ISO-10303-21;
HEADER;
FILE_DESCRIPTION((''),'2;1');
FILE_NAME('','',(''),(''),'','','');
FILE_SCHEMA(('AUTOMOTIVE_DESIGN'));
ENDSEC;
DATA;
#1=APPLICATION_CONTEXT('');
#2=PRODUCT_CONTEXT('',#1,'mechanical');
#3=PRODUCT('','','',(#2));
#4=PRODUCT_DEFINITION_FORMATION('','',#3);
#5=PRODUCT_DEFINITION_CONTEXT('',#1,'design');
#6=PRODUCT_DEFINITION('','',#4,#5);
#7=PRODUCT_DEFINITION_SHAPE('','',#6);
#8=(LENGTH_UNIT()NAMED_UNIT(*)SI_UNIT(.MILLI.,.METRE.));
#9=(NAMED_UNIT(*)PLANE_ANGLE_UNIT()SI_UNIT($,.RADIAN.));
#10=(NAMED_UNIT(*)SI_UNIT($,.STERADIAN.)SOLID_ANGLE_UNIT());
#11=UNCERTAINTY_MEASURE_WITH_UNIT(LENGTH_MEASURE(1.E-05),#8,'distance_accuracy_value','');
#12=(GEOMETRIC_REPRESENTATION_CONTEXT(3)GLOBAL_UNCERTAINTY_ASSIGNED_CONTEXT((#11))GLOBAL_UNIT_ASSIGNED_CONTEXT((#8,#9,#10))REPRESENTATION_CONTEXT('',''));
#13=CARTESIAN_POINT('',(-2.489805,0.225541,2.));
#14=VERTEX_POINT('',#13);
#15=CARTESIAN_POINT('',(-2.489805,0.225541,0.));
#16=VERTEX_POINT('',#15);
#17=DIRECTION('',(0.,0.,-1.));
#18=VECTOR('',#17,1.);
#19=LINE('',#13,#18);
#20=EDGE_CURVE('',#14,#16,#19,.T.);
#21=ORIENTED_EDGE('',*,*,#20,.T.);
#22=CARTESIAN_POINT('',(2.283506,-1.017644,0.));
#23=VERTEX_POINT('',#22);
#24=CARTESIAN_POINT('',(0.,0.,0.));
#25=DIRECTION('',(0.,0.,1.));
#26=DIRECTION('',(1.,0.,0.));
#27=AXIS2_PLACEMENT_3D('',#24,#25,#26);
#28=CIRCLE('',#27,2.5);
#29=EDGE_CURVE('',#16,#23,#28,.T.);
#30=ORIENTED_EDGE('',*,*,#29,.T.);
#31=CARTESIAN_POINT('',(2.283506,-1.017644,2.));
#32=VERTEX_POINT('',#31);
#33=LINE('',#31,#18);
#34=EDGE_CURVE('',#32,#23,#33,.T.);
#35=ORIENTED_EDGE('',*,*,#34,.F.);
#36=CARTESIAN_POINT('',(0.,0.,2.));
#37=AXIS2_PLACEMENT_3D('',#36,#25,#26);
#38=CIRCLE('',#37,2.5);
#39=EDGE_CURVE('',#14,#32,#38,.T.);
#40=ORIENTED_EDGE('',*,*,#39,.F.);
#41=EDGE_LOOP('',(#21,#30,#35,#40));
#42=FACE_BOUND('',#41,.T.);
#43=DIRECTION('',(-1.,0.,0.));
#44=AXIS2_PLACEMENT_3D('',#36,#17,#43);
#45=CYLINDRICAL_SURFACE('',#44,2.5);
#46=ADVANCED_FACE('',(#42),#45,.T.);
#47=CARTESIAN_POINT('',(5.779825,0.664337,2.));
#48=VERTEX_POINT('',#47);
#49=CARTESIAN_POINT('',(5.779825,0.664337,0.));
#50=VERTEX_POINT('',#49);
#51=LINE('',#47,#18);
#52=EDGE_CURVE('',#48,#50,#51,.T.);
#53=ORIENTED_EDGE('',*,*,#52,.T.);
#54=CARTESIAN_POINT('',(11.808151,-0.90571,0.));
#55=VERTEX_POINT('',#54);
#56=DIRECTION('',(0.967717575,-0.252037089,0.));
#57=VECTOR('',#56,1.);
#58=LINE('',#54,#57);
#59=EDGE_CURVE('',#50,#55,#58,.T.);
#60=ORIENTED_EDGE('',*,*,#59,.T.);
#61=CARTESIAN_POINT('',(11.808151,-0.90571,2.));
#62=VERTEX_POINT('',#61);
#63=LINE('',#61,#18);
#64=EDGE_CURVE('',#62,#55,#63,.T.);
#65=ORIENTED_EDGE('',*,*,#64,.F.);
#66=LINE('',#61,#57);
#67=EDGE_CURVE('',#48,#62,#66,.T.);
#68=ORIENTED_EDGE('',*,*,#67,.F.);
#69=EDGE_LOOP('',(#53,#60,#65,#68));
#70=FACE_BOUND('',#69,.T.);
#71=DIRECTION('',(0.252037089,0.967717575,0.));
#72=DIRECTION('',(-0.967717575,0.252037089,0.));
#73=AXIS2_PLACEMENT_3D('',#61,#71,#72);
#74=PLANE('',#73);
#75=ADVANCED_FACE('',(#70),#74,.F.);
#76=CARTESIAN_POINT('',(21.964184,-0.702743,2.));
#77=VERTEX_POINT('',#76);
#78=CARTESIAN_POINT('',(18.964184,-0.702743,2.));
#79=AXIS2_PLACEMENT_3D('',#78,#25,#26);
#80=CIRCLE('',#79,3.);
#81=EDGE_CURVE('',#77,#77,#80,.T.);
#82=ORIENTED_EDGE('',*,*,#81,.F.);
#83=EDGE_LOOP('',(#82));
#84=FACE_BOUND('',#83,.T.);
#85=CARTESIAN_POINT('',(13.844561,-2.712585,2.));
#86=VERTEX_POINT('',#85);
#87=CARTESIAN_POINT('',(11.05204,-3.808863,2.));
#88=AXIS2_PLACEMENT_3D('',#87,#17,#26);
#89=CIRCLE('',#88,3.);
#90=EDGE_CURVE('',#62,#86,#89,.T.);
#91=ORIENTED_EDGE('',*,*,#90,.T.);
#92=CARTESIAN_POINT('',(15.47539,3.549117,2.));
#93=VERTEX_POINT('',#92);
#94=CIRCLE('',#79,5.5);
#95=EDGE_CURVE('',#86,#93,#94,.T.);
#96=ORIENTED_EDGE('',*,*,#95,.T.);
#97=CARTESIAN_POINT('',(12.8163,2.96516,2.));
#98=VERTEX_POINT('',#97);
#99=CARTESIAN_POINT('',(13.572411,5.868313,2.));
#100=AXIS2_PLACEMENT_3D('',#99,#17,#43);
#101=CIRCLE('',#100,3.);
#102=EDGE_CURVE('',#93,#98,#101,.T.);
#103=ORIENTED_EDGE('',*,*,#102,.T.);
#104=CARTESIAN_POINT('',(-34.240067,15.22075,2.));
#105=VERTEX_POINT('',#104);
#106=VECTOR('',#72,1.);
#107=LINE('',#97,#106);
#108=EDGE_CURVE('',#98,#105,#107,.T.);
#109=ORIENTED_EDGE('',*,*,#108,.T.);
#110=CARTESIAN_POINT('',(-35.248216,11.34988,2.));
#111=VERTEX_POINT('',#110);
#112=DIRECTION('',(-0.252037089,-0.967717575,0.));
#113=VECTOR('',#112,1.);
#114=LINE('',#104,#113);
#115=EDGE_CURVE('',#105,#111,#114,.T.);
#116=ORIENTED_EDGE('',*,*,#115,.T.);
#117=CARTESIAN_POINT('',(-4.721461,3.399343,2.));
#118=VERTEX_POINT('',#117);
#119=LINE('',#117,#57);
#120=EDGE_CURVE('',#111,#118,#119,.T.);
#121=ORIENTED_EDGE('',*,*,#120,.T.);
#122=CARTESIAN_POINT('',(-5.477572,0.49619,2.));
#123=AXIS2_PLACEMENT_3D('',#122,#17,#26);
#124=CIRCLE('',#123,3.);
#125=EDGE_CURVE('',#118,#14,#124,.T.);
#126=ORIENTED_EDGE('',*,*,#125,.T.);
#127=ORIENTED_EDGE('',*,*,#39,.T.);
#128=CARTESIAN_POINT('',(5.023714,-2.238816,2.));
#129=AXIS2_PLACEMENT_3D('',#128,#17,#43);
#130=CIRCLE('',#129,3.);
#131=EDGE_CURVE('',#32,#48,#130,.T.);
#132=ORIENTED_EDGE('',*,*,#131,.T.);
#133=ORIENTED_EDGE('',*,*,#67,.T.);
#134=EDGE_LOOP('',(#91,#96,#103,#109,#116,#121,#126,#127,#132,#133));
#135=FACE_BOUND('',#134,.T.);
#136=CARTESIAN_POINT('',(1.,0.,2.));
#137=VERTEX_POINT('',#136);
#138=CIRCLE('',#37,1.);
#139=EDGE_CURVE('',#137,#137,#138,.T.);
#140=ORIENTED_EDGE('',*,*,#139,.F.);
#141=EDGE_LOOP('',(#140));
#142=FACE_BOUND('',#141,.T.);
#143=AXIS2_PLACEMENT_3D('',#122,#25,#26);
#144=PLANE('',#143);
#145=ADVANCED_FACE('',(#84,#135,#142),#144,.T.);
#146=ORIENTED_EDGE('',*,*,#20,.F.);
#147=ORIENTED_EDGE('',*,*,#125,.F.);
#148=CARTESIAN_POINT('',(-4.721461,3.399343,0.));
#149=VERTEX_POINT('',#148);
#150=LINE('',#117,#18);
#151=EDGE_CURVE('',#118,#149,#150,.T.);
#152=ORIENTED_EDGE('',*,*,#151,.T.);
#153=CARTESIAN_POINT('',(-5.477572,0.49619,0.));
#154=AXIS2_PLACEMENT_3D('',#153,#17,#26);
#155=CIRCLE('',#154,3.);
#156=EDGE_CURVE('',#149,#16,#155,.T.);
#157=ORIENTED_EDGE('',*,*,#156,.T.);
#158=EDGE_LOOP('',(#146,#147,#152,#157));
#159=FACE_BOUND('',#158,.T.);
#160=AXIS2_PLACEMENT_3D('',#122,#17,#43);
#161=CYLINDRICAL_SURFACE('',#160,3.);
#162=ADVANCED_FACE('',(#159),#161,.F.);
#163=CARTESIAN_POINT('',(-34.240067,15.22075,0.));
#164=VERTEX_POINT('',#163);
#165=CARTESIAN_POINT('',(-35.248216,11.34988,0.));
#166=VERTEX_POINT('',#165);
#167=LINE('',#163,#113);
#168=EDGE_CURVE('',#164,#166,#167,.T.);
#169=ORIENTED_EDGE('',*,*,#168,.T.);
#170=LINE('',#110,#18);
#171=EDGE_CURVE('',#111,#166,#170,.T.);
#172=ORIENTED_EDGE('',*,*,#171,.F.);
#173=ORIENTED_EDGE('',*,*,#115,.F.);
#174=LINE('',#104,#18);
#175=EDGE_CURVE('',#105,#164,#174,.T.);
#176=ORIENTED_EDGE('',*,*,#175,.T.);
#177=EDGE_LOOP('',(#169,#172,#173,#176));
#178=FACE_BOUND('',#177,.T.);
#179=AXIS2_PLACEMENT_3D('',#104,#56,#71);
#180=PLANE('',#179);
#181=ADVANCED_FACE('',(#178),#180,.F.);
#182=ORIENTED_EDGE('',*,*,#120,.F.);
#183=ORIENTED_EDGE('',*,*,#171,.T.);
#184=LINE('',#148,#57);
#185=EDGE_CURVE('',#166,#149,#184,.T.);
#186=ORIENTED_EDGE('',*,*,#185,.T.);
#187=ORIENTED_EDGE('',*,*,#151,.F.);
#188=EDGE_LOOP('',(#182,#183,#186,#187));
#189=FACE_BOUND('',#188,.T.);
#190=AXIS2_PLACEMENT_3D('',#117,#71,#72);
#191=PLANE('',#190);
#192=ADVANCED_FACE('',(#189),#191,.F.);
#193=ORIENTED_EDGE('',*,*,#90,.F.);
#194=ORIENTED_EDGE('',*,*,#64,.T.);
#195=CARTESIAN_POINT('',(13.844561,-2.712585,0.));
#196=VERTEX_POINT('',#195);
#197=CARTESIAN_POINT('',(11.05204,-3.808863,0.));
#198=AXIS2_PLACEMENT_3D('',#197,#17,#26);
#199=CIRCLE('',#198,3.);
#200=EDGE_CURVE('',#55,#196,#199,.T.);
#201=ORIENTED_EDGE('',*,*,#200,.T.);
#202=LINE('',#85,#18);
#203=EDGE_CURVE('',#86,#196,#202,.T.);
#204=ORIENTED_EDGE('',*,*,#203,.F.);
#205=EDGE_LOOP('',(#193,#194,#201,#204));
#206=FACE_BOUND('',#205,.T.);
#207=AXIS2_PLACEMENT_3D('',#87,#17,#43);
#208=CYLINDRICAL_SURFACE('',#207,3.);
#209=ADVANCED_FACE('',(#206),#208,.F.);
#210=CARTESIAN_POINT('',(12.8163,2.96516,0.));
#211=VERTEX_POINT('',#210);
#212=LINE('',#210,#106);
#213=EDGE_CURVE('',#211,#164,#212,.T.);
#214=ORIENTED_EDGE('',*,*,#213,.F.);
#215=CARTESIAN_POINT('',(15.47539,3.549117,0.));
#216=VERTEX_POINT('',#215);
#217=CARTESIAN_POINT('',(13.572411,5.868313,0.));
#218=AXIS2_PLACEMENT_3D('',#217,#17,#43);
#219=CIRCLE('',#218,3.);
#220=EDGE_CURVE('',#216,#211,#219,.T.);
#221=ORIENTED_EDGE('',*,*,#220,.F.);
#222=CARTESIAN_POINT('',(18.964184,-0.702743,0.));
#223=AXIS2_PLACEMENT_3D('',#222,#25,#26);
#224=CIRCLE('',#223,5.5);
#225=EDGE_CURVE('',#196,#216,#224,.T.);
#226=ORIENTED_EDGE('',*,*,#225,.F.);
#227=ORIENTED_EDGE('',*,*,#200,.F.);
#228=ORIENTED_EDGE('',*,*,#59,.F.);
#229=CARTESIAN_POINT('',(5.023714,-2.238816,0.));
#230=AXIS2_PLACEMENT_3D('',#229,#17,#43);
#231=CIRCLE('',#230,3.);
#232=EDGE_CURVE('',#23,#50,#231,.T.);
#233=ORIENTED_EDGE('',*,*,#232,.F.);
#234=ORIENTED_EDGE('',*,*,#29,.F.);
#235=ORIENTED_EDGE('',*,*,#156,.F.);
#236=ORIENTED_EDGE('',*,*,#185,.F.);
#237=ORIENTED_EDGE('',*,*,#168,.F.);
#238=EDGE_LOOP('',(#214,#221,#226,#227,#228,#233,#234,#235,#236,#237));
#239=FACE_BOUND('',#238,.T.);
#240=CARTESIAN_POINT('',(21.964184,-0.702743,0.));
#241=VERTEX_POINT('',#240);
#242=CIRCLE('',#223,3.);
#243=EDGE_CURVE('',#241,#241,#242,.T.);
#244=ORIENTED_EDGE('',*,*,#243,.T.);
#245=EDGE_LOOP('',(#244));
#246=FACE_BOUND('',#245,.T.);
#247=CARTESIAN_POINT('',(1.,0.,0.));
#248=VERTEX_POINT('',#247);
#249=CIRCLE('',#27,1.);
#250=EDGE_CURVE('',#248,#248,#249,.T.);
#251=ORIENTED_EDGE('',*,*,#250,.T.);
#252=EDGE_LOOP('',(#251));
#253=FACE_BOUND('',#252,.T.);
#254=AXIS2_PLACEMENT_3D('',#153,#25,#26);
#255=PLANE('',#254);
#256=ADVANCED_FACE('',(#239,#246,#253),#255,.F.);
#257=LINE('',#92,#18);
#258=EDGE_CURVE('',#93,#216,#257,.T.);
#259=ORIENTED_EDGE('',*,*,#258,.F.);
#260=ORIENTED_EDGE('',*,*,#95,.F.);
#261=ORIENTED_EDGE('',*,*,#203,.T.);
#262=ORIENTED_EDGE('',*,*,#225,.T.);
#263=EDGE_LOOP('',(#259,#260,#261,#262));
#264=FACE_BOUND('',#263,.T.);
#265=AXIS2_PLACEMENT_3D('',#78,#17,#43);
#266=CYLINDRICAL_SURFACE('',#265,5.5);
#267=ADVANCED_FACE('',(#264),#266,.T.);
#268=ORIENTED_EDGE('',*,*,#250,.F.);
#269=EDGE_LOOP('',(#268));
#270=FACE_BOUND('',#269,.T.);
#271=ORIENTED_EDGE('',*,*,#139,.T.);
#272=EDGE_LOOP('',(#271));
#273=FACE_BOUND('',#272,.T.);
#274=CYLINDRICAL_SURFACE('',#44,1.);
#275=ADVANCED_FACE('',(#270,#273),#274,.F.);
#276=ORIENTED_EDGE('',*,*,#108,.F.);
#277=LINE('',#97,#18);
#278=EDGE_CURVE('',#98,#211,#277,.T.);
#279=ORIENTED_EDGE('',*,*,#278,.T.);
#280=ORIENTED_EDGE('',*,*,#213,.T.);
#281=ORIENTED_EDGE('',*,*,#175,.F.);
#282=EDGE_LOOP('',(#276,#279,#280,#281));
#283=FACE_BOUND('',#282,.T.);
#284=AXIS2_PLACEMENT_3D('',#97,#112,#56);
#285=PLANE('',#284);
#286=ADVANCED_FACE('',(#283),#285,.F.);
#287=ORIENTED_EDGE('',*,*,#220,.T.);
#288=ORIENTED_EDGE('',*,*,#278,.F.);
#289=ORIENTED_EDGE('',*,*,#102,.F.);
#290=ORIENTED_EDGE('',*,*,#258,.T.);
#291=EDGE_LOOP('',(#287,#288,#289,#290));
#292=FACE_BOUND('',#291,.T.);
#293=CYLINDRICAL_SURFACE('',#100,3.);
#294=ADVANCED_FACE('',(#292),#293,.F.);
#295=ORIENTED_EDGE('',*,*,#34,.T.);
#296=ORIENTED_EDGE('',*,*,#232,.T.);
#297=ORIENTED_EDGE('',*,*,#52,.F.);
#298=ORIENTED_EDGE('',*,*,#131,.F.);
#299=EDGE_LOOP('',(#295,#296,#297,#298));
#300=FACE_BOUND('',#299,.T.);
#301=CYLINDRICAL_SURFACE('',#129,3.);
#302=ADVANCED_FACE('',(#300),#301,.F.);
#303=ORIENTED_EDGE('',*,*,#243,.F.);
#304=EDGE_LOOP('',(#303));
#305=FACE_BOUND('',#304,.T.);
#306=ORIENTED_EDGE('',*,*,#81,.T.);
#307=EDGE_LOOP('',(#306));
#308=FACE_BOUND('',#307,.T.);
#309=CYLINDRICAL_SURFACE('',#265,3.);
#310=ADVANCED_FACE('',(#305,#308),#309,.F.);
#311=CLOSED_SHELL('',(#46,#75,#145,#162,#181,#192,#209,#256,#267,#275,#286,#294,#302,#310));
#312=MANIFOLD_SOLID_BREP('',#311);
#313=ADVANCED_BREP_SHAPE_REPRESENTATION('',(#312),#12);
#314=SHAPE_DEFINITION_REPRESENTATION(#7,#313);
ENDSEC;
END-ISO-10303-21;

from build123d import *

# Parameters (mm, degrees)
SKETCH1_R           = 1
SKETCH1_R_2         = 3
BOSS_EXTRUDE1_DEPTH = 2


with BuildPart() as part:
    # Sketch1 → Boss-Extrude1 (new body)
    with BuildSketch(Plane.XY):
        with BuildLine():
            Line((11.808151179, -0.905709908), (5.779825316, 0.664336707))
            ThreePointArc((5.779825316, 0.664336707), (3.723166432, 0.464621774), (2.283506385, -1.017643645))
            ThreePointArc((2.283506385, -1.017643645), (-0.630092723, -2.419293938), (-2.489805466, 0.225540995))
            ThreePointArc((-2.489805466, 0.225540995), (-3.023512134, 2.221759674), (-4.721460758, 3.399342916))
            Line((-4.721460758, 3.399342916), (-35.248215692, 11.34987999))
            Line((-35.248215692, 11.34987999), (-34.240067334, 15.220750291))
            Line((-34.240067334, 15.220750291), (12.816299536, 2.965160393))
            ThreePointArc((12.816299536, 2.965160393), (14.215899346, 2.938138637), (15.47538955, 3.54911673))
            ThreePointArc((15.47538955, 3.54911673), (24.286630582, -2.088947309), (13.844561325, -2.712585228))
            ThreePointArc((13.844561325, -2.712585228), (13.043119538, -1.564847947), (11.808151179, -0.905709908))
        make_face()
        Circle(SKETCH1_R, mode=Mode.SUBTRACT)
        with Locations((18.964183918, -0.702743317)):
            Circle(SKETCH1_R_2, mode=Mode.SUBTRACT)
    extrude(amount=BOSS_EXTRUDE1_DEPTH)


solid = part.part
